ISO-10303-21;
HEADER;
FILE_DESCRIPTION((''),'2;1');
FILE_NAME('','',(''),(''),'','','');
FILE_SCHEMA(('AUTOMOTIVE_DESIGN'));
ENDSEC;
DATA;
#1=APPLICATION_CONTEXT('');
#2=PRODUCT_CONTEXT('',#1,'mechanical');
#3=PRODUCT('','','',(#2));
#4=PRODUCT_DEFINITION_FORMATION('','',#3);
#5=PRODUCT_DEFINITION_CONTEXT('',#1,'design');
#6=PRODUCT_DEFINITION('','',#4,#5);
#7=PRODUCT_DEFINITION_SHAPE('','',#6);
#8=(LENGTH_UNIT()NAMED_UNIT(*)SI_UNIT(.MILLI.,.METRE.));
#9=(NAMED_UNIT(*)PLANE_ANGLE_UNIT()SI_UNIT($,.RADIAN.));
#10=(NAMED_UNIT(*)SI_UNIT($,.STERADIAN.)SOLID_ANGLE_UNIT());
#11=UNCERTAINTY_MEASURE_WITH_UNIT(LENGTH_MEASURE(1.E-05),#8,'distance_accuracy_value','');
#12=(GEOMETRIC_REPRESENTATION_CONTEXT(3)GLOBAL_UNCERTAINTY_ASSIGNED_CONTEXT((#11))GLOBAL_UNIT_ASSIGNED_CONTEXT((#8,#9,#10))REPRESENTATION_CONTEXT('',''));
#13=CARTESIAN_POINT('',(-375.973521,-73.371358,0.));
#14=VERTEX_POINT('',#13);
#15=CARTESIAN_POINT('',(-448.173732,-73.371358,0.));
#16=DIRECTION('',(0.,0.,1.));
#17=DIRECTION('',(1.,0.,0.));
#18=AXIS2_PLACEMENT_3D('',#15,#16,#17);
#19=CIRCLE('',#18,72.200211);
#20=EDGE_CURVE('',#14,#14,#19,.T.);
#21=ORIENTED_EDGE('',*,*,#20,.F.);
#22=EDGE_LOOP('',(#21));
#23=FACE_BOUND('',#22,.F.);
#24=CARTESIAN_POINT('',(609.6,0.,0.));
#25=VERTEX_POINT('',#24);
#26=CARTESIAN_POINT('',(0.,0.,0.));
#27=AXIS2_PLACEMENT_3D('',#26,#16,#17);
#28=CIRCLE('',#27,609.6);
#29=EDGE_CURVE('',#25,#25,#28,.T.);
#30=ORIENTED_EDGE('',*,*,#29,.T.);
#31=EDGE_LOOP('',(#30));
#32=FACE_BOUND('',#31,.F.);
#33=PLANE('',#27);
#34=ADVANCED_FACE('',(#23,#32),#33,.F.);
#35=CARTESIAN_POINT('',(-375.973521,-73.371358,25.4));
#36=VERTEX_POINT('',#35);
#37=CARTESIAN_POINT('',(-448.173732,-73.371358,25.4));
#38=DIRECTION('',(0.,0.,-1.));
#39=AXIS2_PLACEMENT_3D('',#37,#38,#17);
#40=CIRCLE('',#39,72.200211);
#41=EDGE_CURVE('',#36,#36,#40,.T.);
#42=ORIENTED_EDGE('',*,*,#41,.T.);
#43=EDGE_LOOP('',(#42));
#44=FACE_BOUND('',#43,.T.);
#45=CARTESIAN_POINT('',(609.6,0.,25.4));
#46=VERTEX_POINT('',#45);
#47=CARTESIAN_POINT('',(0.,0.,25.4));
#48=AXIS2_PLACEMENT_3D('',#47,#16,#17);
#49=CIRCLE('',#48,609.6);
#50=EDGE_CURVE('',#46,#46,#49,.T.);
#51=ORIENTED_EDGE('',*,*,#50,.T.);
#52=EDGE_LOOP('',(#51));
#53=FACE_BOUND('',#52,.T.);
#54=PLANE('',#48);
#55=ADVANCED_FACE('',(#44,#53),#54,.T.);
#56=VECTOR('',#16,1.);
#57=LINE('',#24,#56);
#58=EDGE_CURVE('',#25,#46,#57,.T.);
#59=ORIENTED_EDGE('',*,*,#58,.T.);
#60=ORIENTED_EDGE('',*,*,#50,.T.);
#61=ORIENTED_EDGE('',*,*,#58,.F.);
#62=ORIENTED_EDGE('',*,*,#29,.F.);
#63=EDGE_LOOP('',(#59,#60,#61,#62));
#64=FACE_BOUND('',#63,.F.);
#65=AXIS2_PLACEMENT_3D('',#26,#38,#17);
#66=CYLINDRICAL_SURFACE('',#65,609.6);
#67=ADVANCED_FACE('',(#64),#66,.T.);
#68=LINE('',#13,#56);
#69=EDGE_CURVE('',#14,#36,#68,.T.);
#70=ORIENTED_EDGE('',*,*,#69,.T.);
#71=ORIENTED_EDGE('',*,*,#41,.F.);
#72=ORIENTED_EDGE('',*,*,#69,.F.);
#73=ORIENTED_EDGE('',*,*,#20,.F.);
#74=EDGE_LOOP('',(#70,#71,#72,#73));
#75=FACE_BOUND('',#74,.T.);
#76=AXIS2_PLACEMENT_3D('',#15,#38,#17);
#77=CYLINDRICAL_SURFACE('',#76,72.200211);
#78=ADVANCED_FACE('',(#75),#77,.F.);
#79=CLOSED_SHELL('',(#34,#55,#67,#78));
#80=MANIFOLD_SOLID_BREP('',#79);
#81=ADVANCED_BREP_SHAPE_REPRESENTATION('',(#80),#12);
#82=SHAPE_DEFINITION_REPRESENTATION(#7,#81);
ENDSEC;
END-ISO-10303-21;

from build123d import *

# Parameters (mm, degrees)
F0_R     = 609.6
F1_DEPTH = 25.4
F2_R     = 72.200211
F3_DEPTH = 25.401


with BuildPart() as f1:
    # F0 (on Top) → F1 (new body)
    with BuildSketch(Plane.XY):
        Circle(F0_R)
    extrude(amount=F1_DEPTH)

    # F2 (on Top) → F3 (cut, through all)
    with BuildSketch(Plane.XY):
        with Locations((-448.173732, -73.371358)):
            Circle(F2_R)
    extrude(amount=F3_DEPTH, mode=Mode.SUBTRACT)


solid = f1.part
